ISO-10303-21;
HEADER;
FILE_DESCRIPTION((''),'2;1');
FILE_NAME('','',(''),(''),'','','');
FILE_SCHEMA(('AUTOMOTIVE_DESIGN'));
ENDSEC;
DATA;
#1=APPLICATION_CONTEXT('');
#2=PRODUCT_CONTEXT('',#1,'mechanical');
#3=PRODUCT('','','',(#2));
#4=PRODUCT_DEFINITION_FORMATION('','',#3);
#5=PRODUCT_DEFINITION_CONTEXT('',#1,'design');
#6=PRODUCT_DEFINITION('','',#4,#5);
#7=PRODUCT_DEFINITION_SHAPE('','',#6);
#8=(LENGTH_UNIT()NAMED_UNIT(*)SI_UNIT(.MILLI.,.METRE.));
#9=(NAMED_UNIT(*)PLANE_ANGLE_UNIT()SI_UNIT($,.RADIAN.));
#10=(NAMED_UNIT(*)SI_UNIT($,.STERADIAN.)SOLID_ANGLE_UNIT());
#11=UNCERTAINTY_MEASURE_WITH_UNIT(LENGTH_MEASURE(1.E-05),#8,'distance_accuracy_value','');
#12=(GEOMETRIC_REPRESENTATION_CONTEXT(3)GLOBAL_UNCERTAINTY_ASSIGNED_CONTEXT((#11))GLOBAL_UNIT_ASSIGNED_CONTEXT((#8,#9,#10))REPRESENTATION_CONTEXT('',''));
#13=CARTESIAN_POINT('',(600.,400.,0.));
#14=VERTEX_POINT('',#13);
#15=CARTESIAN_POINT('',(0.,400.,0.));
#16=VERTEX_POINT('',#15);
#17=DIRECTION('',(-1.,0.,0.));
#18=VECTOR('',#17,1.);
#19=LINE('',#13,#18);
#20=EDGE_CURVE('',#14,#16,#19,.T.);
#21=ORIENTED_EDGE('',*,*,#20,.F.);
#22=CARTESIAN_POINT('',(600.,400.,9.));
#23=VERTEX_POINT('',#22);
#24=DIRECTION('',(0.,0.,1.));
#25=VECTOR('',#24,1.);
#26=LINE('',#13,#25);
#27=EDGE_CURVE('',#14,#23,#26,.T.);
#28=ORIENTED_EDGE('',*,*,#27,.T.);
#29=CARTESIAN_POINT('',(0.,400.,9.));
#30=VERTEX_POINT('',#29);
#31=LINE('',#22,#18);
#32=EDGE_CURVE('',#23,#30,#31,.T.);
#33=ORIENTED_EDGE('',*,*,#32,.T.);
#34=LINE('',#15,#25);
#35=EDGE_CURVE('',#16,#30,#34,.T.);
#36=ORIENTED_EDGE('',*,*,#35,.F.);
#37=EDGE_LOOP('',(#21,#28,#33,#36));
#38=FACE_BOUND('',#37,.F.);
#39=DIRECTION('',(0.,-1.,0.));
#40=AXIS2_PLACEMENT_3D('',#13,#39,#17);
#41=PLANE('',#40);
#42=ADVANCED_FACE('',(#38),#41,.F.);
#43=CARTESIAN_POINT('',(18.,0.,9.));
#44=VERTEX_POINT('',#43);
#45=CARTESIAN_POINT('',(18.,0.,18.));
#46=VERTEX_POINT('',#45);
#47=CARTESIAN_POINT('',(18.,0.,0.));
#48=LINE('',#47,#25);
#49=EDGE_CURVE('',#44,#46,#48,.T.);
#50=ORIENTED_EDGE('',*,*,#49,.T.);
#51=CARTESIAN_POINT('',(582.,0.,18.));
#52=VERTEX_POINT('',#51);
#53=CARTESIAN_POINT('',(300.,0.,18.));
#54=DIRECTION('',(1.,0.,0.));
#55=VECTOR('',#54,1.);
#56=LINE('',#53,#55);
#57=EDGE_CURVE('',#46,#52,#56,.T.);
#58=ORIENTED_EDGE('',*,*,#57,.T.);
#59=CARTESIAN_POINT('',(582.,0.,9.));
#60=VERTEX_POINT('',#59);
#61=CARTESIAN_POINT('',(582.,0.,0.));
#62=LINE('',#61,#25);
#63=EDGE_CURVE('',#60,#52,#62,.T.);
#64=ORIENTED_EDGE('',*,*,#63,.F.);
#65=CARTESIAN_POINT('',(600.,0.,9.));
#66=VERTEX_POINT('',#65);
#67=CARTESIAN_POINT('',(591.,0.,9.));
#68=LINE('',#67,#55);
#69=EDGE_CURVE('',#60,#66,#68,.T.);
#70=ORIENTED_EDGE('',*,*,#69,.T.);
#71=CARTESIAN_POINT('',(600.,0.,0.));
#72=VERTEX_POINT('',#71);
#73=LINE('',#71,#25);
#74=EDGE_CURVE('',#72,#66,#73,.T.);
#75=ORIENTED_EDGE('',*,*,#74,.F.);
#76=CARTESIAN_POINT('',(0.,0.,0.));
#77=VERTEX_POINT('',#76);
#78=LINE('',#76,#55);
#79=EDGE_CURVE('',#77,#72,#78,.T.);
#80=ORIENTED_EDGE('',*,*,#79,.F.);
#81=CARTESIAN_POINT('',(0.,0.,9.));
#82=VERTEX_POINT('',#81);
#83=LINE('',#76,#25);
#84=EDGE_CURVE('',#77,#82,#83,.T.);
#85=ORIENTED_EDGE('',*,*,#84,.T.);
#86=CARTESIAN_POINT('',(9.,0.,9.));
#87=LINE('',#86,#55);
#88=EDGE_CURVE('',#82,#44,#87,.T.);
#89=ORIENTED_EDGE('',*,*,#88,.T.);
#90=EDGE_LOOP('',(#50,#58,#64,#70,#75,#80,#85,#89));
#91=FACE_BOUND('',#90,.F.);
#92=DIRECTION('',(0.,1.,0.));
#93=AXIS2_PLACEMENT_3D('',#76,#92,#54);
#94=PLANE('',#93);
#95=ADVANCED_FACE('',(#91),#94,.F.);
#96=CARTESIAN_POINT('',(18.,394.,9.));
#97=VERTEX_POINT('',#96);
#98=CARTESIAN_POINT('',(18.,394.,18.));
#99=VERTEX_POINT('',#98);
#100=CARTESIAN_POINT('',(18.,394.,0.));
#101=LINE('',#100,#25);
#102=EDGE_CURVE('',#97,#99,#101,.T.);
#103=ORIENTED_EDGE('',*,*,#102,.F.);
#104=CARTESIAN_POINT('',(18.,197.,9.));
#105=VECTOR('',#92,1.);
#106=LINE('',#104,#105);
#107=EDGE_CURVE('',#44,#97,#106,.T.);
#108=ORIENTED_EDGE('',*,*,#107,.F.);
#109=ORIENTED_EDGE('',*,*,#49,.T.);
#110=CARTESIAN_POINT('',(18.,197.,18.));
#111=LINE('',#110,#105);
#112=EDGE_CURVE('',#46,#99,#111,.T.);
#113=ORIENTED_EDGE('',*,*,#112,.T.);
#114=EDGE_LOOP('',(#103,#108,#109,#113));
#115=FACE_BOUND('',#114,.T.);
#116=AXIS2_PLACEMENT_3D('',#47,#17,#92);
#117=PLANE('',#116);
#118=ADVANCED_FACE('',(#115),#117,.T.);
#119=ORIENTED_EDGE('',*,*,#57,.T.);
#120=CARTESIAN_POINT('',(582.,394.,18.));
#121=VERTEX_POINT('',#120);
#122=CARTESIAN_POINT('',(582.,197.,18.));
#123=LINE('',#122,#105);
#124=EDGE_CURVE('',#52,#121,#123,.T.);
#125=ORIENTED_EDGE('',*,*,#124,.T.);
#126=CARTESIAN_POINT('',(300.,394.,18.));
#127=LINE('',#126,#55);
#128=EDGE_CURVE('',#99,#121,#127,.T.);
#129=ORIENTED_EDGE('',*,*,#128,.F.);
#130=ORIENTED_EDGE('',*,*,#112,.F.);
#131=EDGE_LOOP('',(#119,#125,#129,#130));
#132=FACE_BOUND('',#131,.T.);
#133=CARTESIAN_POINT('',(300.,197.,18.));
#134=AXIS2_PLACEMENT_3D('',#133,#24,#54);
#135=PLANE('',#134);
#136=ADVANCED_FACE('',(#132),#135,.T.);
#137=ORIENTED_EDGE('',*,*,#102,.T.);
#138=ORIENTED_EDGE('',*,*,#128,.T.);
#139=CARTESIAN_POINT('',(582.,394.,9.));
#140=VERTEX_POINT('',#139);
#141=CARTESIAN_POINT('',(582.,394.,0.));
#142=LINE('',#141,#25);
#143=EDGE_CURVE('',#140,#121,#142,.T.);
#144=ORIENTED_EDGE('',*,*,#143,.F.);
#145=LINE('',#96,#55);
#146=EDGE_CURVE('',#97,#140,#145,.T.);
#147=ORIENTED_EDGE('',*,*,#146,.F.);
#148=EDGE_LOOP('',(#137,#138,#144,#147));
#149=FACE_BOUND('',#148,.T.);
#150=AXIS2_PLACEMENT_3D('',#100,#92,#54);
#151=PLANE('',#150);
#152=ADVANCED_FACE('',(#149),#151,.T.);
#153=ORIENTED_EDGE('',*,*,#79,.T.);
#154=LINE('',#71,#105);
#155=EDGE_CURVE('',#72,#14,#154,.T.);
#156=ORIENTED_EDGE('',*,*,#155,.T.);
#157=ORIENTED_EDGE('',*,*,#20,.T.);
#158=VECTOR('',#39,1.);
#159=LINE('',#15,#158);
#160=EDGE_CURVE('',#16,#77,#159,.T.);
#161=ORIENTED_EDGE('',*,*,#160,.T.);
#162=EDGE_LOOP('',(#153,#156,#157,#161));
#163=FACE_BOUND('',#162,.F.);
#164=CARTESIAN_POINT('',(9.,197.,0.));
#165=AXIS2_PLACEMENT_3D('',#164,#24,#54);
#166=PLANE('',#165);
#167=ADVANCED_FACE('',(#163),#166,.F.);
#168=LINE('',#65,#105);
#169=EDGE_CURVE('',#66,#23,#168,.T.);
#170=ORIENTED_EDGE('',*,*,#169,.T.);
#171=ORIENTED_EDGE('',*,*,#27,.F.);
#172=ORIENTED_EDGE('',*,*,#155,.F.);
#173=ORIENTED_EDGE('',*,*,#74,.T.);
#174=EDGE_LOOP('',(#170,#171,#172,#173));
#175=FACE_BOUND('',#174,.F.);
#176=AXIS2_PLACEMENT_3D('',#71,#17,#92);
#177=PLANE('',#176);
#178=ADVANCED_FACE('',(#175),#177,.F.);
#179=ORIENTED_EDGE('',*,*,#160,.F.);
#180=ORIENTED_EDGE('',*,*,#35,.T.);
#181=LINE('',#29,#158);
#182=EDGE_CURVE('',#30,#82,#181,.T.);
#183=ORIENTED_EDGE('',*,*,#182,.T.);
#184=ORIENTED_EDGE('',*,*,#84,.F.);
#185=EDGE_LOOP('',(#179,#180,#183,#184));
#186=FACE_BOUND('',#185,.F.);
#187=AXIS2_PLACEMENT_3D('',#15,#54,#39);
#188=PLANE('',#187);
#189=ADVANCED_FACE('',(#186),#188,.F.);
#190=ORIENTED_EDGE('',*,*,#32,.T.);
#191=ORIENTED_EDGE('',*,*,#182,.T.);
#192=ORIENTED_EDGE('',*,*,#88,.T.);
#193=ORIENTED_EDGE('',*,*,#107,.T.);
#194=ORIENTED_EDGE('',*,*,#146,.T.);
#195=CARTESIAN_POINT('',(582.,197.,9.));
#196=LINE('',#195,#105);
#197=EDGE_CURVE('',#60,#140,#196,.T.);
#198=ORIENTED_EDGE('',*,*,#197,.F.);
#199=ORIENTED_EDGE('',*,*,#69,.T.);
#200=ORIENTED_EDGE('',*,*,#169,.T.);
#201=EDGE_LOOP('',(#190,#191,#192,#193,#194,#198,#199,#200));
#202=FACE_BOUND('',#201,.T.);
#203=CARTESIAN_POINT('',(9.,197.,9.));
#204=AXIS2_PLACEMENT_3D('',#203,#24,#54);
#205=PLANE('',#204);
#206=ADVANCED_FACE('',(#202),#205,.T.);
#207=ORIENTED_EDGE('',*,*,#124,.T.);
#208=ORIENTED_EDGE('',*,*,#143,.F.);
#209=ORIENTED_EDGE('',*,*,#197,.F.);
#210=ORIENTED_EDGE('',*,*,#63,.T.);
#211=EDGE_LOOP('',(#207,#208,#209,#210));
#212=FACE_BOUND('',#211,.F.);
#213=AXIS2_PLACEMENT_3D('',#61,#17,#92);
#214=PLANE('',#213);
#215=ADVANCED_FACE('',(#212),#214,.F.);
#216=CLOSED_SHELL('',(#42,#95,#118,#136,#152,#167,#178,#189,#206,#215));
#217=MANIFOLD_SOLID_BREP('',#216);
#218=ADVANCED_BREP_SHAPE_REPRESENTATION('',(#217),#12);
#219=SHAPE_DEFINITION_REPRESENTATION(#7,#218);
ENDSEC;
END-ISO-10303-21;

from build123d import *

# Parameters (mm, degrees)
F0_W     = 564
F0_H     = 394
F1_DEPTH = 18
F0_W_2   = 18
F0_H_2   = 6
F2_DEPTH = 9


with BuildPart() as f1:
    # F0 (on Top) → F1 (new body)
    with BuildSketch(Plane.XY):
        with Locations((300, 197)):
            Rectangle(F0_W, F0_H)
    extrude(amount=F1_DEPTH)

    # F0 (on Top) → F2 (join)
    with BuildSketch(Plane.XY):
        with Locations((9, 197)):
            Rectangle(F0_W_2, F0_H)
        with Locations((300, 397)):
            Rectangle(F0_W, F0_H_2)
        with Locations((9, 397)):
            Rectangle(F0_W_2, F0_H_2)
        with Locations((591, 397)):
            Rectangle(F0_W_2, F0_H_2)
        with Locations((591, 197)):
            Rectangle(F0_W_2, F0_H)
    extrude(amount=F2_DEPTH)


solid = f1.part
